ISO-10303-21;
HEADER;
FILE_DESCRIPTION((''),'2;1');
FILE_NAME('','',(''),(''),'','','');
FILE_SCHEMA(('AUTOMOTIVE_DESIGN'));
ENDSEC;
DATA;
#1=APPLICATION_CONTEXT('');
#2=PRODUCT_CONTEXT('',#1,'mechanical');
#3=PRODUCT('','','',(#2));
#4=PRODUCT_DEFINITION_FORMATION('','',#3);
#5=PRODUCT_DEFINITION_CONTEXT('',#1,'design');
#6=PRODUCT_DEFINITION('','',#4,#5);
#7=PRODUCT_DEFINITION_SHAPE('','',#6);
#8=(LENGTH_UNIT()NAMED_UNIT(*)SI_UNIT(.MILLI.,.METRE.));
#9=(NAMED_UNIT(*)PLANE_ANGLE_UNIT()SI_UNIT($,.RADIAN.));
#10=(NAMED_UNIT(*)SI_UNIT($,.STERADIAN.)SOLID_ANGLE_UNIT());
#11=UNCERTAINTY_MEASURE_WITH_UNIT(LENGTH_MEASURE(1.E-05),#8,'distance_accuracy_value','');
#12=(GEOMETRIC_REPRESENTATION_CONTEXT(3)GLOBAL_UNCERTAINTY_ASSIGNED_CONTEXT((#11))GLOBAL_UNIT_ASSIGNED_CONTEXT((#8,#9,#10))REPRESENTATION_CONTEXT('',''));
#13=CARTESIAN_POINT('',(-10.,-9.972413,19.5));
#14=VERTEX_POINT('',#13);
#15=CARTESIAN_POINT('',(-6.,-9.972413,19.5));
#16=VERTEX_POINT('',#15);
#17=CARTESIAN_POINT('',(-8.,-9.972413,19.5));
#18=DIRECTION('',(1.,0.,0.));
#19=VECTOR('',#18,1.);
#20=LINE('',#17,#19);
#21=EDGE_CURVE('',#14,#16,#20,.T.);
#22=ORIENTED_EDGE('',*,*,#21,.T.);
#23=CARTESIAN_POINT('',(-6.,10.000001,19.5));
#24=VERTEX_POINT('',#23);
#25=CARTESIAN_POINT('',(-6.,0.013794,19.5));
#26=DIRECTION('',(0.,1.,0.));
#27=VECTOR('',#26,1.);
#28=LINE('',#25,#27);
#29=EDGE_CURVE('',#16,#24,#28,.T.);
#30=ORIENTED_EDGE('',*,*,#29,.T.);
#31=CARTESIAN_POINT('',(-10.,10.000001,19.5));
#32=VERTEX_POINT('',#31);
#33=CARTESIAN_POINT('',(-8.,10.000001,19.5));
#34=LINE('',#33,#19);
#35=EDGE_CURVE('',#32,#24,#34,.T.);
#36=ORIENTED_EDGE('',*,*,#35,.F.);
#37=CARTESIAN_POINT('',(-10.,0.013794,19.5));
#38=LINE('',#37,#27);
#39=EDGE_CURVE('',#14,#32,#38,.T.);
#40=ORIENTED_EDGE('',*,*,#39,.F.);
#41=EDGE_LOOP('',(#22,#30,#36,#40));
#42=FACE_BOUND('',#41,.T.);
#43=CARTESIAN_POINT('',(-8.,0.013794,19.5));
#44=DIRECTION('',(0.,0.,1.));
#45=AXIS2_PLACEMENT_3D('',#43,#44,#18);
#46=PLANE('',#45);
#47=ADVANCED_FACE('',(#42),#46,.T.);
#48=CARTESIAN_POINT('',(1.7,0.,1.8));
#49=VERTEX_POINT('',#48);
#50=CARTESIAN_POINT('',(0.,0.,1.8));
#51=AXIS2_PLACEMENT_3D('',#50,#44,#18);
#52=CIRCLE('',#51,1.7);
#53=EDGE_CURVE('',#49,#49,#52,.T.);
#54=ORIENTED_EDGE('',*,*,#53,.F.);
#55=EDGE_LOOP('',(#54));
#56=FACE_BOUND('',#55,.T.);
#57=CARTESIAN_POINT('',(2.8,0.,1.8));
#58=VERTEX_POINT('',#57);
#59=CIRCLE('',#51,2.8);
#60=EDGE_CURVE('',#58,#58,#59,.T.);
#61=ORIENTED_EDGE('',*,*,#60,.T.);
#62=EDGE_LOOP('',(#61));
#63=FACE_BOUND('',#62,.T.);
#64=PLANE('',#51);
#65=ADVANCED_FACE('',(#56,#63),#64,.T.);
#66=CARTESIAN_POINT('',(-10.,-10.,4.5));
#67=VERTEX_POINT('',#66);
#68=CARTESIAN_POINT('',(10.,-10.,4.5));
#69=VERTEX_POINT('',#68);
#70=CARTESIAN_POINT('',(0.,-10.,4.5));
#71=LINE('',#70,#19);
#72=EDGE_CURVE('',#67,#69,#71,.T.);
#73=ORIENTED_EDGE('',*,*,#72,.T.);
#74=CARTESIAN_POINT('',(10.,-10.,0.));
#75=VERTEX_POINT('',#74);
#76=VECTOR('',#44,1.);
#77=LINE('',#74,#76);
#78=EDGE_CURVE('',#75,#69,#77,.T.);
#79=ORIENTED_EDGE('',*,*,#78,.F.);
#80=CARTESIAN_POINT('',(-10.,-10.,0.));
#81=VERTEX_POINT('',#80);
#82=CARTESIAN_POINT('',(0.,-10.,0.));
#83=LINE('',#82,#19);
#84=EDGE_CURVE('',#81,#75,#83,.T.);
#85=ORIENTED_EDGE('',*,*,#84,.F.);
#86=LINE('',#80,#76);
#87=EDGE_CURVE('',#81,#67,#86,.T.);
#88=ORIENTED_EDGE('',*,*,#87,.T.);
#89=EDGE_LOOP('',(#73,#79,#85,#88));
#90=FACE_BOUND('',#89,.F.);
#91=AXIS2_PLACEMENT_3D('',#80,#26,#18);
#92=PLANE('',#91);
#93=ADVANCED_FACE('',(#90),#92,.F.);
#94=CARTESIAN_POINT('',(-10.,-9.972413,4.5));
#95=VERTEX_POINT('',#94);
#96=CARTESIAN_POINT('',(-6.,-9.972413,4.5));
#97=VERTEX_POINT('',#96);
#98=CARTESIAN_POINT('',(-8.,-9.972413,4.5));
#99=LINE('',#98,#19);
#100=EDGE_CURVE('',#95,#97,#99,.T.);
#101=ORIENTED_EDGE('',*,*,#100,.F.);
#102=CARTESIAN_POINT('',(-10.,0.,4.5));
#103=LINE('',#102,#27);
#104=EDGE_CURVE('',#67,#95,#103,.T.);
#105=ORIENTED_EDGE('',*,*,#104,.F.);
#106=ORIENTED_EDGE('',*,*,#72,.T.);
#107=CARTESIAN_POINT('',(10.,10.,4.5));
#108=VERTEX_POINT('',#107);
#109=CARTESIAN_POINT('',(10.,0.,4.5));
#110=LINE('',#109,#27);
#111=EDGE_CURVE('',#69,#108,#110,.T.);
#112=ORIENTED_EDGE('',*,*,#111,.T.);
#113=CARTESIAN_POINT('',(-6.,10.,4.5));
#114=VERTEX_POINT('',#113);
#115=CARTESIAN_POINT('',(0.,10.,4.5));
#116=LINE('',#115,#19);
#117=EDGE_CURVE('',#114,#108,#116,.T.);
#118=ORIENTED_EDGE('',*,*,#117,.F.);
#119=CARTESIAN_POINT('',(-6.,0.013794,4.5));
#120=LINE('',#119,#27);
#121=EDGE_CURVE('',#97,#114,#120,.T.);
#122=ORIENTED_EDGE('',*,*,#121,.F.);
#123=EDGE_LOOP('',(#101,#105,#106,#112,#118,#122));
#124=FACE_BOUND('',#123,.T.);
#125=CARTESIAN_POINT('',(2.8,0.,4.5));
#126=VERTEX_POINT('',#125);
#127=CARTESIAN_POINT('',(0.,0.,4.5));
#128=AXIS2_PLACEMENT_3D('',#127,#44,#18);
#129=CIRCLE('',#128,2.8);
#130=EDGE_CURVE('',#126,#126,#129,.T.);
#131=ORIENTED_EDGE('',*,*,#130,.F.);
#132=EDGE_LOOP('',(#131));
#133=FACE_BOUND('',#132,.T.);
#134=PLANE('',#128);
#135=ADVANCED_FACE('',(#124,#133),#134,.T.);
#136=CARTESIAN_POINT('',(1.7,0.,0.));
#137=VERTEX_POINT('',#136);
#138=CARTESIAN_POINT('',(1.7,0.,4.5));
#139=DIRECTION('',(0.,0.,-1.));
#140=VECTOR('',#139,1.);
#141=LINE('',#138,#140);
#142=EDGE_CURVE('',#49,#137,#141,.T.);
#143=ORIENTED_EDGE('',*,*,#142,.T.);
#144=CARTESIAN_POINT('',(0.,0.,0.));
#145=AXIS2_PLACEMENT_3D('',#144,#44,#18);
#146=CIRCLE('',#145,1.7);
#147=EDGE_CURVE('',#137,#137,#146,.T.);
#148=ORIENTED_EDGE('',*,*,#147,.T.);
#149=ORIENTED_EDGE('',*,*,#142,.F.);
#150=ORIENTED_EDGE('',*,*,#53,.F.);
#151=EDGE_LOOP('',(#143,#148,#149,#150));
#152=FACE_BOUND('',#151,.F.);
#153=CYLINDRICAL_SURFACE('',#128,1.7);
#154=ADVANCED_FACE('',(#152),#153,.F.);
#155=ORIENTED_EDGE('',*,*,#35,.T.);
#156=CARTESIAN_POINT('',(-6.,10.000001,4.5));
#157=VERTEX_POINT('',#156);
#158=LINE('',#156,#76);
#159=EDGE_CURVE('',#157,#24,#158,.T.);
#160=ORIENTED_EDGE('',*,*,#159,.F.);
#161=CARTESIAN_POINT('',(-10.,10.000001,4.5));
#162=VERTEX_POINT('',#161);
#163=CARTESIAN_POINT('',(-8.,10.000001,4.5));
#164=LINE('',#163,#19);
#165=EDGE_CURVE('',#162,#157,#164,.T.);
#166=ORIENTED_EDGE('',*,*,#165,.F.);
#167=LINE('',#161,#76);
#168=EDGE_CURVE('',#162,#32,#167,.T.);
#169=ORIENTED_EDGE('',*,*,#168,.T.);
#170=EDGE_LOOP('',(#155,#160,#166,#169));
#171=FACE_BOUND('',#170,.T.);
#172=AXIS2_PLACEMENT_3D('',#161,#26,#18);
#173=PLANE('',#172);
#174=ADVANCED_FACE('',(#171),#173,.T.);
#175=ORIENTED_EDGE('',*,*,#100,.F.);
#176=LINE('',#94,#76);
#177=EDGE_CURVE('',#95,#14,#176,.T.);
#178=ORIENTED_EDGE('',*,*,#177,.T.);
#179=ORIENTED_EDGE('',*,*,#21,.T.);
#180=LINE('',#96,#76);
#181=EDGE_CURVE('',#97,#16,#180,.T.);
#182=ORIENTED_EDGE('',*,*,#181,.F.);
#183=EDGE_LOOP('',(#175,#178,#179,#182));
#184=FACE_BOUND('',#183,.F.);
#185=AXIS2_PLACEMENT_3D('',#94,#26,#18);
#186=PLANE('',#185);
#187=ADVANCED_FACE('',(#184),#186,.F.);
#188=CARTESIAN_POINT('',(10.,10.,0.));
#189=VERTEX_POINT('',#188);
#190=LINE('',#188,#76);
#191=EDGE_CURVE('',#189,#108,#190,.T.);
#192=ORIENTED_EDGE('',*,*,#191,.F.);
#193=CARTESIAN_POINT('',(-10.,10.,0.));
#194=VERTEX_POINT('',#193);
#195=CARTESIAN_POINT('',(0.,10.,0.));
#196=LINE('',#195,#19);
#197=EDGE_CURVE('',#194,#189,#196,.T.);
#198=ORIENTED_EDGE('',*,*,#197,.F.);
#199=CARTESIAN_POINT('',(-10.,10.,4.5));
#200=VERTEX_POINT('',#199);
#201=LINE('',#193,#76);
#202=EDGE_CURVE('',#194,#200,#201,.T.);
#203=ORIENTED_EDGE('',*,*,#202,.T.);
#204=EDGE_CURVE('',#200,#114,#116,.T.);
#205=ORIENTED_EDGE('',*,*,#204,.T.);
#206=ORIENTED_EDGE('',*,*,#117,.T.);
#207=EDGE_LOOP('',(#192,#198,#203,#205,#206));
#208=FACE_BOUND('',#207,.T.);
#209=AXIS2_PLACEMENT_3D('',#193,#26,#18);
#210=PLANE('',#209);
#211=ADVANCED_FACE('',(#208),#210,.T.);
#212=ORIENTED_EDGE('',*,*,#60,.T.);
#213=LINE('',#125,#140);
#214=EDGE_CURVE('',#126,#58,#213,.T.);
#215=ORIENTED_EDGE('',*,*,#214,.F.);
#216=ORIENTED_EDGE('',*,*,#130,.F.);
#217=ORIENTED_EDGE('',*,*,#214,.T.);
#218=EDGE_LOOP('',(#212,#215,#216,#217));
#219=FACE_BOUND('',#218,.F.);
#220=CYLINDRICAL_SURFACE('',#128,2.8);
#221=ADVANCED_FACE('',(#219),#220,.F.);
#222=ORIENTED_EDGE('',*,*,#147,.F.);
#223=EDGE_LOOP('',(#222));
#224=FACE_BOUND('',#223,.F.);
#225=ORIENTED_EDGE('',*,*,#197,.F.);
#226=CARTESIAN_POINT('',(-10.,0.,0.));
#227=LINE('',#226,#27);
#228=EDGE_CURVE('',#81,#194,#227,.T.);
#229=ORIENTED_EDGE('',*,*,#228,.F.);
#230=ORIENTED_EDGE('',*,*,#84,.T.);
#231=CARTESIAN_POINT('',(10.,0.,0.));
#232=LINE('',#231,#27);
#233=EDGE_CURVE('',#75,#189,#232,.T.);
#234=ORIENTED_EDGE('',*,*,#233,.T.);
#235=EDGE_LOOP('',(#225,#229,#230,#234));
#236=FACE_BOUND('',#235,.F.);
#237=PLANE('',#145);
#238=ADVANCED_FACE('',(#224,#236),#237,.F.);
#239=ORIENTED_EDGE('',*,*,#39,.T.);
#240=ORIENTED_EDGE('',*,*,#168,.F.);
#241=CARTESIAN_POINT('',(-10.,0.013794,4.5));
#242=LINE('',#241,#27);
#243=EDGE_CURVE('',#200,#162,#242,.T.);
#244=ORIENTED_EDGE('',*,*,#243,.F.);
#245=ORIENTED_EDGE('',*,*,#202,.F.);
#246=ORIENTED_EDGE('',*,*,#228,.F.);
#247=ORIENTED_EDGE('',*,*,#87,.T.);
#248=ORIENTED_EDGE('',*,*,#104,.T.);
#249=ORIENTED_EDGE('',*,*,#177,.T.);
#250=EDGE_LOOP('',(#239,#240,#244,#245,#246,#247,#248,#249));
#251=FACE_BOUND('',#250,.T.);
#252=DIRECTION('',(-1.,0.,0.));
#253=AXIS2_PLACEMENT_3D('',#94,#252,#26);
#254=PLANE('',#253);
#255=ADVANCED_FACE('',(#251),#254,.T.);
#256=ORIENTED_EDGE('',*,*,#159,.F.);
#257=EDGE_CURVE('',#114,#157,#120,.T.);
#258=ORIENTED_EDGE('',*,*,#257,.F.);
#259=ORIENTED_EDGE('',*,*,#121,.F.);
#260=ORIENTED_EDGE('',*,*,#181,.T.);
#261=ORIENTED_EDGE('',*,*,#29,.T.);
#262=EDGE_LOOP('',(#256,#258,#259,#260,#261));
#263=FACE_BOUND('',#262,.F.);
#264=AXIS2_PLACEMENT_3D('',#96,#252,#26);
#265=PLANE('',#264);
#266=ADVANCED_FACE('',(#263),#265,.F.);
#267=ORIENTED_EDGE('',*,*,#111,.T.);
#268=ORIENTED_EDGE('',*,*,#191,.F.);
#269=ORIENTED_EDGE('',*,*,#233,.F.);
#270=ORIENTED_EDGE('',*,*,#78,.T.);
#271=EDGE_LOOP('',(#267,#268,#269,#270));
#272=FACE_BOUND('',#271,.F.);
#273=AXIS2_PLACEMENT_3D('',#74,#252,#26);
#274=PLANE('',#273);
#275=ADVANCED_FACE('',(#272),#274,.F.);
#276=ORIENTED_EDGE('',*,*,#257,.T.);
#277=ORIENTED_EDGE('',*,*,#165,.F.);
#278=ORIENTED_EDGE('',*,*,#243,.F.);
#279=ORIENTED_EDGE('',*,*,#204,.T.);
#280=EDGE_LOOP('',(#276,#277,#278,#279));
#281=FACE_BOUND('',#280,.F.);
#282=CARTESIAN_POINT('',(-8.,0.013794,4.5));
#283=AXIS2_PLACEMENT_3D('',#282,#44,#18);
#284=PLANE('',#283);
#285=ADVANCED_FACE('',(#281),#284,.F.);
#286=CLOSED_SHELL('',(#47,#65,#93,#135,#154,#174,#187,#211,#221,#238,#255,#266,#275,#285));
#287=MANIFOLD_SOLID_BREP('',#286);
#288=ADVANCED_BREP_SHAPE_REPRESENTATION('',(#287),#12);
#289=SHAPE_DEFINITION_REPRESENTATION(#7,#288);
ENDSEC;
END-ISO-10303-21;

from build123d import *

# Parameters (mm, degrees)
SKETCH_W        = 20
SKETCH_H        = 20
PAD_DEPTH       = 4.5
SKETCH001_R     = 1.7
POCKET_DEPTH    = 5
SKETCH002_R     = 2.8
POCKET001_DEPTH = 2.7
SKETCH003_W     = 4
SKETCH003_H     = 19.972413
PAD001_DEPTH    = 15


with BuildPart() as part:
    # Sketch → Pad (new body)
    with BuildSketch(Plane.XY):
        Rectangle(SKETCH_W, SKETCH_H)
    extrude(amount=PAD_DEPTH)

    # Sketch001 (on Face6 of Pad) → Pocket (cut)
    with BuildSketch(Plane.XY.offset(4.5)):
        Circle(SKETCH001_R)
    extrude(amount=-POCKET_DEPTH, mode=Mode.SUBTRACT)

    # Sketch002 (on Face5 of Pocket) → Pocket001 (cut)
    with BuildSketch(Plane.XY.offset(4.5)):
        Circle(SKETCH002_R)
    extrude(amount=-POCKET001_DEPTH, mode=Mode.SUBTRACT)

    # Sketch003 (on Face5 of Pocket001) → Pad001 (join)
    with BuildSketch(Plane.XY.offset(4.5)):
        with Locations((-8, 0.013794)):
            Rectangle(SKETCH003_W, SKETCH003_H)
    extrude(amount=PAD001_DEPTH)


solid = part.part
